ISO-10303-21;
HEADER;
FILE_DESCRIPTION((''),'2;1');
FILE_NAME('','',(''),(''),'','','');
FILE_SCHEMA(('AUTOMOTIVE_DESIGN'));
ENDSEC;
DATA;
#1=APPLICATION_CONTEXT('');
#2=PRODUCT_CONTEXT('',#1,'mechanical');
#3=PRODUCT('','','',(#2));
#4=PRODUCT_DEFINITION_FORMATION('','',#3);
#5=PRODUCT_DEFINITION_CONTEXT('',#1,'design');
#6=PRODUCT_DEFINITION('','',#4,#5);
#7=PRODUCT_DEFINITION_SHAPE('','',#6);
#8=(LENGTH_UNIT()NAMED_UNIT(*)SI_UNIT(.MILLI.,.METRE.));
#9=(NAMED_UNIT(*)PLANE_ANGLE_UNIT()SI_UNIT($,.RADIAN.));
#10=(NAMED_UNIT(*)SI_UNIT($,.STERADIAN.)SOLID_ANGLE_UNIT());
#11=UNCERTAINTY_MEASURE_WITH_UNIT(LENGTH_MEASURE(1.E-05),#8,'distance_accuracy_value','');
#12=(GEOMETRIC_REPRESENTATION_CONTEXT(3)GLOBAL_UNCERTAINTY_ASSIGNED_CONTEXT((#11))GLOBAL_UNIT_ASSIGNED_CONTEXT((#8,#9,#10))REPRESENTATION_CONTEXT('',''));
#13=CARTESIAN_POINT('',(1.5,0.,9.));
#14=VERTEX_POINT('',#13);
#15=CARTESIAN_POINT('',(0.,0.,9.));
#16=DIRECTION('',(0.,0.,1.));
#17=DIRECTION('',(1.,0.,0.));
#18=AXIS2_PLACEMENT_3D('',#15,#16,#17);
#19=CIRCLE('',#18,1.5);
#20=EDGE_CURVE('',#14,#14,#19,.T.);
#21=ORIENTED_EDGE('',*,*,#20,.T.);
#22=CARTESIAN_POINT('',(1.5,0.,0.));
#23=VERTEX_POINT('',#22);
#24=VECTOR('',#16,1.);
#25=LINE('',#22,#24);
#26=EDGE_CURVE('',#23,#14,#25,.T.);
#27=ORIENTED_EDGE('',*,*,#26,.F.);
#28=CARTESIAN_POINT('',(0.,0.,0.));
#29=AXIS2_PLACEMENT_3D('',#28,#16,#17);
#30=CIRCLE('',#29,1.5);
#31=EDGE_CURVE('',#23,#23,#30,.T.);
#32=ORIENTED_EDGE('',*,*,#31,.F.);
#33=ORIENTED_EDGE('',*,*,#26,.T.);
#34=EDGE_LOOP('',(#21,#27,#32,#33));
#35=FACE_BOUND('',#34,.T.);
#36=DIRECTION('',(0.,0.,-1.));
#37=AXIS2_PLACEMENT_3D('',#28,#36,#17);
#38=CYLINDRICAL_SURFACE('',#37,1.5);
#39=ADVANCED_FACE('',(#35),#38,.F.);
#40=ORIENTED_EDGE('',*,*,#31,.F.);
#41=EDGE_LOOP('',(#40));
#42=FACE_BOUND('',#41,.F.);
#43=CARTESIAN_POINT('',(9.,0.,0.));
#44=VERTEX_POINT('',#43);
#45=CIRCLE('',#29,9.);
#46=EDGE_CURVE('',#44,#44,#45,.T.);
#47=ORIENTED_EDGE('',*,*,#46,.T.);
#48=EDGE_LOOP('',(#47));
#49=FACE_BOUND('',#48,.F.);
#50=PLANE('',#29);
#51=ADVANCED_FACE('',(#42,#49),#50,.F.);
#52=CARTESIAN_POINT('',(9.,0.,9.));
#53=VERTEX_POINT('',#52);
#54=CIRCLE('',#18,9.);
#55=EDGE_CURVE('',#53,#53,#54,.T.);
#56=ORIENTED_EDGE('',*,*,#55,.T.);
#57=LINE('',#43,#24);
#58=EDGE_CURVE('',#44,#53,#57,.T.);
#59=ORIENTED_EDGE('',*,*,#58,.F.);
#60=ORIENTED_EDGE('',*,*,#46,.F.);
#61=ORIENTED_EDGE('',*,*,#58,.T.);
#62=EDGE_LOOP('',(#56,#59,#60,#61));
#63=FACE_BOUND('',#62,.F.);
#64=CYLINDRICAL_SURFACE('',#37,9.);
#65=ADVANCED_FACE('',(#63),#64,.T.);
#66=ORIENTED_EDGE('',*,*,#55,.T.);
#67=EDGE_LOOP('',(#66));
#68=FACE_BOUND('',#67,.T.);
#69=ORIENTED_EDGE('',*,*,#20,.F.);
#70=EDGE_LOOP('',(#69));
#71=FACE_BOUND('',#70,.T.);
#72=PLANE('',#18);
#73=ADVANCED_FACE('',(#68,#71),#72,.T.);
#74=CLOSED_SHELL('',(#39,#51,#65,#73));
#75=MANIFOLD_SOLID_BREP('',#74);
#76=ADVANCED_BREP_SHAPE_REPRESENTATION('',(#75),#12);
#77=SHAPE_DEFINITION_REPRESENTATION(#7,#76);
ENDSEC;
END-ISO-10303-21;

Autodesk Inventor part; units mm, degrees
ref_plane "YZ Plane" through (0, 0, 0) normal (1, 0, 0) x (0, 1, 0)
ref_plane "XZ Plane" through (0, 0, 0) normal (0, 1, 0) x (-1, 0, 0)
ref_plane "XY Plane" through (0, 0, 0) normal (0, 0, 1) x (1, 0, 0)
sketch "Sketch1" plane through (0, 0, 0) normal (0, 0, 1) x (1, 0, 0)
  circle A0 centre (0, 0) radius 9
  circle A1 centre (0, 0) radius 1.5
  dimension "d0" = 18
  dimension "d1" = 3
extrude "Extrusion1" add sketch "Sketch1" along normal blind 9
equation "\"BendRadius\" = Thickness"
equation "\"BendReliefWidth\" = Thickness"
equation "\"BendReliefDepth\" = 0.5 * Thickness"
equation "\"CornerReliefSize\" = 4 * Thickness"
equation "\"MinimumRemnant\" = 2 * Thickness"
equation "\"TransitionRadius\" = BendRadius"
equation "\"JacobiRadiusSize\" = BendRadius"
equation "\"GapSize\" = Thickness"
equation "\"Thickness\" = 0.5"
properties part number "standoff1" material "PMMA Plastic"
